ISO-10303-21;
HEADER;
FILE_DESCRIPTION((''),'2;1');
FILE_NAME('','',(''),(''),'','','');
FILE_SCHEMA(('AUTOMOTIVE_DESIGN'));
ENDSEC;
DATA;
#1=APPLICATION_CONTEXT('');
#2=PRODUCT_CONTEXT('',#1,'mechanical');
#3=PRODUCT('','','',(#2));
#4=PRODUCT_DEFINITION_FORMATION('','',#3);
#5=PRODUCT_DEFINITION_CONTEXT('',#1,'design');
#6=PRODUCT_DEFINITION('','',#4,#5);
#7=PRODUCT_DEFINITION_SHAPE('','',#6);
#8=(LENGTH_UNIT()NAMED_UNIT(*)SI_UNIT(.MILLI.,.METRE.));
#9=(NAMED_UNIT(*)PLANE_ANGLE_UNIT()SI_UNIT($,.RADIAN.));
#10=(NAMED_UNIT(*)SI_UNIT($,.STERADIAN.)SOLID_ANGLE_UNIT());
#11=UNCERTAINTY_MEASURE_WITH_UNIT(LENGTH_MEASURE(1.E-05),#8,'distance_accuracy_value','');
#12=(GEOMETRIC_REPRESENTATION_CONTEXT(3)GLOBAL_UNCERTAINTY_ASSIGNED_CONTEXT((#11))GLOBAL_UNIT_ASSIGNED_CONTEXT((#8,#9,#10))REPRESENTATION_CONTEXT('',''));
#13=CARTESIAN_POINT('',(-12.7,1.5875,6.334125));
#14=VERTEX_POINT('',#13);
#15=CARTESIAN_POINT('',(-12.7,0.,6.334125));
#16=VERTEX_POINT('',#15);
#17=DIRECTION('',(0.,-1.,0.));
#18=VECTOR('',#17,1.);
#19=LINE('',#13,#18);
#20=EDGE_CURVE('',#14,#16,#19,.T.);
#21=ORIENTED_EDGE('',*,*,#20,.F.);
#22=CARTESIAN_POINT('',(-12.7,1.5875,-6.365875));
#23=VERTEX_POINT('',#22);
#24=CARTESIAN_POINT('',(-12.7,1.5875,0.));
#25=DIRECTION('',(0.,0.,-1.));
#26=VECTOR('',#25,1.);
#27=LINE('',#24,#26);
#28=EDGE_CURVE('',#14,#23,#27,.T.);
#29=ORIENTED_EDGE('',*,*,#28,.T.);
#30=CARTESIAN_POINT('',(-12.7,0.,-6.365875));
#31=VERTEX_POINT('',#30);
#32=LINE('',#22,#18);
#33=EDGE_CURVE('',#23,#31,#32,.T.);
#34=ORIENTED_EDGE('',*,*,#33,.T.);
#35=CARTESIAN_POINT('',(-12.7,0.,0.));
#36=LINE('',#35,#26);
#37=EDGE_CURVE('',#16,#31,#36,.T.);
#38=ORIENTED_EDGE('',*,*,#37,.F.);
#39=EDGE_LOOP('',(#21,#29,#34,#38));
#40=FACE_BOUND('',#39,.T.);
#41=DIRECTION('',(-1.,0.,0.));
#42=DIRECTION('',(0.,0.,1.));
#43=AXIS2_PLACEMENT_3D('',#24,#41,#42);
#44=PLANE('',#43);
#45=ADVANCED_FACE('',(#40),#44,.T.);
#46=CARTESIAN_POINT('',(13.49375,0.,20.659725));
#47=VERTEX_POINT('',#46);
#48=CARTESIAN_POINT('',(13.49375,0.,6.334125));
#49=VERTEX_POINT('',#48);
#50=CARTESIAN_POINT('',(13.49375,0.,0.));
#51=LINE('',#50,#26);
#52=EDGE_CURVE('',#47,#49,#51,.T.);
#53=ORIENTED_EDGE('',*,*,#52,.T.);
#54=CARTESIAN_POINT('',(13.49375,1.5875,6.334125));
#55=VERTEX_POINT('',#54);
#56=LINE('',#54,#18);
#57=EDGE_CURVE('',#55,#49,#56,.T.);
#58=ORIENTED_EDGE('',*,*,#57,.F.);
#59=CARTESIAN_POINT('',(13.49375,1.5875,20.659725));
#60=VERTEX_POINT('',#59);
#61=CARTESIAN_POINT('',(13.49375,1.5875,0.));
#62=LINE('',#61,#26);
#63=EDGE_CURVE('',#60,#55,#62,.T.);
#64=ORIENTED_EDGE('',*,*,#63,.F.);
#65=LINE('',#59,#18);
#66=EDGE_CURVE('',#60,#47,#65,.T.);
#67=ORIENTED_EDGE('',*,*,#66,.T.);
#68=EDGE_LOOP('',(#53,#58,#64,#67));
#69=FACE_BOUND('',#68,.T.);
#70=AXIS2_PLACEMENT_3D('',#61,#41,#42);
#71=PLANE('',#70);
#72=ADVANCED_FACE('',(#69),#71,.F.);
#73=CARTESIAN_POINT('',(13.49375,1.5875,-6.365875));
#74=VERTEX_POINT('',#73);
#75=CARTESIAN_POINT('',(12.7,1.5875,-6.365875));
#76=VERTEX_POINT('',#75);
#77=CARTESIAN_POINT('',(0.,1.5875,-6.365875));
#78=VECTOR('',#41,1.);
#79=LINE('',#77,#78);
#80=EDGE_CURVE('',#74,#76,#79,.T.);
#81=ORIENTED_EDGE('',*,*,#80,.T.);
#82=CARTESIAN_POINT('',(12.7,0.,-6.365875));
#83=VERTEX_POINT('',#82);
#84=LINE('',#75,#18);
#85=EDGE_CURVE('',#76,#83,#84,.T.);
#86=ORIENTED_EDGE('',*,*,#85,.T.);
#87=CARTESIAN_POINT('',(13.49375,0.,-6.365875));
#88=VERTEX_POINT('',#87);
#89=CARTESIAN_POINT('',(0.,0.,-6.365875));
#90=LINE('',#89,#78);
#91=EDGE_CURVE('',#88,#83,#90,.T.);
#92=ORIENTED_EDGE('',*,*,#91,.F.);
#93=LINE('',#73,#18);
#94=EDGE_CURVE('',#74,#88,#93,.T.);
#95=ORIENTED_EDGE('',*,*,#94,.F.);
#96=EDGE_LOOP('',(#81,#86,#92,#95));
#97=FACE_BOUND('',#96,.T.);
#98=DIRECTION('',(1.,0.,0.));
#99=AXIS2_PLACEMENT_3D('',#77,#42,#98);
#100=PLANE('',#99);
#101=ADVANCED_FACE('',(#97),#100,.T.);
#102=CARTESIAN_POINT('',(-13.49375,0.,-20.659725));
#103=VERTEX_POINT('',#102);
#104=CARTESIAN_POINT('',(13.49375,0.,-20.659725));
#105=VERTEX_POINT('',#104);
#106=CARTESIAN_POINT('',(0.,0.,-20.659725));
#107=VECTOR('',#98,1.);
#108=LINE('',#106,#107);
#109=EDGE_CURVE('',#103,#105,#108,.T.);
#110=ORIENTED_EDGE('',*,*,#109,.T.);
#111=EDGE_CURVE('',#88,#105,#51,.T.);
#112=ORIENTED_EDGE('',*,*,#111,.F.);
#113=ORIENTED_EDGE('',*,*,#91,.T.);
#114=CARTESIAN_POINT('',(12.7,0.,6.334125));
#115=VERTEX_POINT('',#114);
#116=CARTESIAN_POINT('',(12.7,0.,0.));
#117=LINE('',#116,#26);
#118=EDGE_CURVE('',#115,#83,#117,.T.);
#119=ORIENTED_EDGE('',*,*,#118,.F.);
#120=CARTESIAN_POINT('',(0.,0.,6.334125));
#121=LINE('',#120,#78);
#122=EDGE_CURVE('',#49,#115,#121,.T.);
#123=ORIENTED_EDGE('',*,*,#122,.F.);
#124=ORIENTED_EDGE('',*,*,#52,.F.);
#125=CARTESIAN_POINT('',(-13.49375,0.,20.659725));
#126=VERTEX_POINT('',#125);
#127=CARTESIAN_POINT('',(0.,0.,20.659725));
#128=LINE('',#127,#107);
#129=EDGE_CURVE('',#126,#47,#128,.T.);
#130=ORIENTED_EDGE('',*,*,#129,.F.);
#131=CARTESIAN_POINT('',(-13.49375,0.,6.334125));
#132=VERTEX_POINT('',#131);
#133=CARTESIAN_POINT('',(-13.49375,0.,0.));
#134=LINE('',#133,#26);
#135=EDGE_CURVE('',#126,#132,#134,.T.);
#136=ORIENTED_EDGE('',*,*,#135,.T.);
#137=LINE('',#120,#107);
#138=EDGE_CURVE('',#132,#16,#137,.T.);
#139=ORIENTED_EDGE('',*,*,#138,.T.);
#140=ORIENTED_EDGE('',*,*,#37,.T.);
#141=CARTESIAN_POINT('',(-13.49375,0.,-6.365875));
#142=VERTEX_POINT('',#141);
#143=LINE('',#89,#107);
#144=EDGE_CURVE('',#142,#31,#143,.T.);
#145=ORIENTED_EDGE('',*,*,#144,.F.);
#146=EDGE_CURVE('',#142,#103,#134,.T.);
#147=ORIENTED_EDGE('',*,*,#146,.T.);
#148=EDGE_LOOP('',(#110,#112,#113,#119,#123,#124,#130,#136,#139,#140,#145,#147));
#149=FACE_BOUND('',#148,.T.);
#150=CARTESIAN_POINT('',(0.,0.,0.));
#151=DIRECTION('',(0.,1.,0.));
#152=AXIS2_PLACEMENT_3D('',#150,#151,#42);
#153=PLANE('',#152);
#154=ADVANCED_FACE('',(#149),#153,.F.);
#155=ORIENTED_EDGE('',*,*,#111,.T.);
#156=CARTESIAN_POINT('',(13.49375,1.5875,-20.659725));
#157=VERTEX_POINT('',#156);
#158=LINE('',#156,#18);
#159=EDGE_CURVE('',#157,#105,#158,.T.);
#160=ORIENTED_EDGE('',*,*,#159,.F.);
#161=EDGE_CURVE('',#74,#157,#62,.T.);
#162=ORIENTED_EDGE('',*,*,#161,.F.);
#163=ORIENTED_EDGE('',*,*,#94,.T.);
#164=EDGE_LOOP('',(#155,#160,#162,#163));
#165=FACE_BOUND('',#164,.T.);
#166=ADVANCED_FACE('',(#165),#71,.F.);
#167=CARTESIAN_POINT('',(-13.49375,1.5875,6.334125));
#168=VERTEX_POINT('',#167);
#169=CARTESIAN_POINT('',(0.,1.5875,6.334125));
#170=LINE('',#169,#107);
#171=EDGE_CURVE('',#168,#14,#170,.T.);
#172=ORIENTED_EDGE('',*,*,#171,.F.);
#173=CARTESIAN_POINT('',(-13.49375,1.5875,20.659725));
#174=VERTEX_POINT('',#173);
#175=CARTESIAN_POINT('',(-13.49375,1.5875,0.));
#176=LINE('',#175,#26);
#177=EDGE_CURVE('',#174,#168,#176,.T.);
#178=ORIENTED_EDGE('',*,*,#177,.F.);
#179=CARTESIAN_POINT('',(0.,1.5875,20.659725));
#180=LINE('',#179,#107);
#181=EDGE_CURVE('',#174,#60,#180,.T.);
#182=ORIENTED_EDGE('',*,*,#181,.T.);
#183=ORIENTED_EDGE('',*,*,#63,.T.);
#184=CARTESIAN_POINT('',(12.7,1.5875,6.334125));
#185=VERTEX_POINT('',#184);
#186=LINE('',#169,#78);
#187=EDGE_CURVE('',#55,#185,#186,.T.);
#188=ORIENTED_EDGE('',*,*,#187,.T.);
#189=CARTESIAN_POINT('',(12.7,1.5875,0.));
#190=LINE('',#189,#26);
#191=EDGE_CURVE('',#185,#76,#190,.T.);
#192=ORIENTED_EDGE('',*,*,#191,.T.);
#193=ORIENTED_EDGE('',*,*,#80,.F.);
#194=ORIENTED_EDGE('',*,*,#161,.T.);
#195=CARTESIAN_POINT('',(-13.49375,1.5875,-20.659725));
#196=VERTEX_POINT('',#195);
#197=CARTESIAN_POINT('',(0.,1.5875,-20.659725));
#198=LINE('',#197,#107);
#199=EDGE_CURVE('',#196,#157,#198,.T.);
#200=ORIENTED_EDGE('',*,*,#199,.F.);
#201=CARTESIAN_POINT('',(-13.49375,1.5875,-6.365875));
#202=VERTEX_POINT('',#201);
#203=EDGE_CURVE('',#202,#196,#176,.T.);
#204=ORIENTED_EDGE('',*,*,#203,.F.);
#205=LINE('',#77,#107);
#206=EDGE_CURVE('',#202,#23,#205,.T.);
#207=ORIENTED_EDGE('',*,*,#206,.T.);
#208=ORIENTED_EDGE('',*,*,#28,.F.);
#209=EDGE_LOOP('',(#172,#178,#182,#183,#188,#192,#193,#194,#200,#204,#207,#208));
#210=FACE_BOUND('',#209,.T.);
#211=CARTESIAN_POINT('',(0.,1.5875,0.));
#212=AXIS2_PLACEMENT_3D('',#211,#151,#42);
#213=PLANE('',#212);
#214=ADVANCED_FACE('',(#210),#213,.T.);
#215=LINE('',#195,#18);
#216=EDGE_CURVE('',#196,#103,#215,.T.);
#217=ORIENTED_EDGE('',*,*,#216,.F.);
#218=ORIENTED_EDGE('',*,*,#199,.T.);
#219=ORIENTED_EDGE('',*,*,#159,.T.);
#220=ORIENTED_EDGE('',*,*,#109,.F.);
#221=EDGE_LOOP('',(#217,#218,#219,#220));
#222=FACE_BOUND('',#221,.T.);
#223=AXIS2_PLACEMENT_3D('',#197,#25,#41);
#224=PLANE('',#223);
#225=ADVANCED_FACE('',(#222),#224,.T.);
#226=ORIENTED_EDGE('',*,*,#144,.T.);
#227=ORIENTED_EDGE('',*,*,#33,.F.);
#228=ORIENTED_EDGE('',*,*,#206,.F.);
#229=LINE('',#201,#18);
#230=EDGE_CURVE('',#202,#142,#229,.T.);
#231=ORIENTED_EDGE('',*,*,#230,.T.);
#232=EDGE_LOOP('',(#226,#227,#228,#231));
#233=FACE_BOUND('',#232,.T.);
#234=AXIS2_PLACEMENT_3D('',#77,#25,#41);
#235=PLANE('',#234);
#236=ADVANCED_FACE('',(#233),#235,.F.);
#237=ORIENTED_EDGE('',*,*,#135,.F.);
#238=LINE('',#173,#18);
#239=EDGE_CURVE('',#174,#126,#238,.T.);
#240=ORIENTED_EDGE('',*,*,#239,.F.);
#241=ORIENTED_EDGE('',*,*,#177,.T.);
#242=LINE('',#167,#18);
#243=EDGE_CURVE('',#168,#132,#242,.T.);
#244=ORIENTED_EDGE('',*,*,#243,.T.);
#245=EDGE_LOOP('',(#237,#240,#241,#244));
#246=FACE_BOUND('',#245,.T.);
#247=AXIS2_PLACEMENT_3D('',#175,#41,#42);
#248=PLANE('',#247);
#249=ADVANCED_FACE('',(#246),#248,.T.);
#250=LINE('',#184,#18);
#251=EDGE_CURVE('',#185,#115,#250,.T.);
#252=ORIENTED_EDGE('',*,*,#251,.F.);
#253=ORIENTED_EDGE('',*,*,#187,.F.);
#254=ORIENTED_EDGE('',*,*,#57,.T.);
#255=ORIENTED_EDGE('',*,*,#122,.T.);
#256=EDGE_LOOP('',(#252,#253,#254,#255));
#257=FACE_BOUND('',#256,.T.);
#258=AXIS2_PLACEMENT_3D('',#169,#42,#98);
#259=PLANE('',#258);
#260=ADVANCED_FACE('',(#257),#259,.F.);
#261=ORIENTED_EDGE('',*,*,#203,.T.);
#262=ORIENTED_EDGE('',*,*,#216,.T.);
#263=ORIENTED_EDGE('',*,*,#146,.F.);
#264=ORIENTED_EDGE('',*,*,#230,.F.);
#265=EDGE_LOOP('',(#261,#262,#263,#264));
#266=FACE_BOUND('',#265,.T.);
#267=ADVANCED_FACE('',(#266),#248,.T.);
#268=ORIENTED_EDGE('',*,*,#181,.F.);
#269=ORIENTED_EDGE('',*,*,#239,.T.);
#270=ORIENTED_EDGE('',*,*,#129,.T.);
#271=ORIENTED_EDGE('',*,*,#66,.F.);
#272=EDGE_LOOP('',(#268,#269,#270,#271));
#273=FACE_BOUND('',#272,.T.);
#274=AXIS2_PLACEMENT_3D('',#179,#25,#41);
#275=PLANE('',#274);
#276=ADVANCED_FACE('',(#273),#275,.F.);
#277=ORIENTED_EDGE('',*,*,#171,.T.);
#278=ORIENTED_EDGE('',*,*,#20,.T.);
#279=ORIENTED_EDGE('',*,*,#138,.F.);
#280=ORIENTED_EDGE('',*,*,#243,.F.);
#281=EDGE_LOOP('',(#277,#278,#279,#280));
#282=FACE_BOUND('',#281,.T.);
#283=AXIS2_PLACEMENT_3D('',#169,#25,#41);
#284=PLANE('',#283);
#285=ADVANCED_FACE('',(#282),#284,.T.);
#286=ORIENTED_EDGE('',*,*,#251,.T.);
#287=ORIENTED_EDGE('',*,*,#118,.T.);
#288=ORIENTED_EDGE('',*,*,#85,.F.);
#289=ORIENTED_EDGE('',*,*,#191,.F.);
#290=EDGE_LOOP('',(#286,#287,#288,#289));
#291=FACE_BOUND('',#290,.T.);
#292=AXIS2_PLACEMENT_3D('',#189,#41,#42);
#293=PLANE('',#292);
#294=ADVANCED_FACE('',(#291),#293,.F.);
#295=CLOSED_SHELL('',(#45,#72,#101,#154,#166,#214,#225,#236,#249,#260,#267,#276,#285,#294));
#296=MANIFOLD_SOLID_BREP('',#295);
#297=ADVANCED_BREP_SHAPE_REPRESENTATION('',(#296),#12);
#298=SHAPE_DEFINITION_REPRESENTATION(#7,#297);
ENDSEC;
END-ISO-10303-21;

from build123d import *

# Parameters (mm, degrees)
BOSS_EXTRUDE1_DEPTH = 1.5875


with BuildPart() as part:
    # Sketch1 → Boss-Extrude1 (new body)
    with BuildSketch(Plane(origin=(0, 0, 0), x_dir=(1, 0, 0), z_dir=(0, 1, 0))):
        Polygon((-13.49375, -6.334125), (-13.49375, -20.659725), (13.49375, -20.659725), (13.49375, -6.334125), (12.7, -6.334125), (12.7, 6.365875), (13.49375, 6.365875), (13.49375, 20.659725), (-13.49375, 20.659725), (-13.49375, 6.365875), (-12.7, 6.365875), (-12.7, -6.334125), align=None)
    extrude(amount=BOSS_EXTRUDE1_DEPTH)


solid = part.part
